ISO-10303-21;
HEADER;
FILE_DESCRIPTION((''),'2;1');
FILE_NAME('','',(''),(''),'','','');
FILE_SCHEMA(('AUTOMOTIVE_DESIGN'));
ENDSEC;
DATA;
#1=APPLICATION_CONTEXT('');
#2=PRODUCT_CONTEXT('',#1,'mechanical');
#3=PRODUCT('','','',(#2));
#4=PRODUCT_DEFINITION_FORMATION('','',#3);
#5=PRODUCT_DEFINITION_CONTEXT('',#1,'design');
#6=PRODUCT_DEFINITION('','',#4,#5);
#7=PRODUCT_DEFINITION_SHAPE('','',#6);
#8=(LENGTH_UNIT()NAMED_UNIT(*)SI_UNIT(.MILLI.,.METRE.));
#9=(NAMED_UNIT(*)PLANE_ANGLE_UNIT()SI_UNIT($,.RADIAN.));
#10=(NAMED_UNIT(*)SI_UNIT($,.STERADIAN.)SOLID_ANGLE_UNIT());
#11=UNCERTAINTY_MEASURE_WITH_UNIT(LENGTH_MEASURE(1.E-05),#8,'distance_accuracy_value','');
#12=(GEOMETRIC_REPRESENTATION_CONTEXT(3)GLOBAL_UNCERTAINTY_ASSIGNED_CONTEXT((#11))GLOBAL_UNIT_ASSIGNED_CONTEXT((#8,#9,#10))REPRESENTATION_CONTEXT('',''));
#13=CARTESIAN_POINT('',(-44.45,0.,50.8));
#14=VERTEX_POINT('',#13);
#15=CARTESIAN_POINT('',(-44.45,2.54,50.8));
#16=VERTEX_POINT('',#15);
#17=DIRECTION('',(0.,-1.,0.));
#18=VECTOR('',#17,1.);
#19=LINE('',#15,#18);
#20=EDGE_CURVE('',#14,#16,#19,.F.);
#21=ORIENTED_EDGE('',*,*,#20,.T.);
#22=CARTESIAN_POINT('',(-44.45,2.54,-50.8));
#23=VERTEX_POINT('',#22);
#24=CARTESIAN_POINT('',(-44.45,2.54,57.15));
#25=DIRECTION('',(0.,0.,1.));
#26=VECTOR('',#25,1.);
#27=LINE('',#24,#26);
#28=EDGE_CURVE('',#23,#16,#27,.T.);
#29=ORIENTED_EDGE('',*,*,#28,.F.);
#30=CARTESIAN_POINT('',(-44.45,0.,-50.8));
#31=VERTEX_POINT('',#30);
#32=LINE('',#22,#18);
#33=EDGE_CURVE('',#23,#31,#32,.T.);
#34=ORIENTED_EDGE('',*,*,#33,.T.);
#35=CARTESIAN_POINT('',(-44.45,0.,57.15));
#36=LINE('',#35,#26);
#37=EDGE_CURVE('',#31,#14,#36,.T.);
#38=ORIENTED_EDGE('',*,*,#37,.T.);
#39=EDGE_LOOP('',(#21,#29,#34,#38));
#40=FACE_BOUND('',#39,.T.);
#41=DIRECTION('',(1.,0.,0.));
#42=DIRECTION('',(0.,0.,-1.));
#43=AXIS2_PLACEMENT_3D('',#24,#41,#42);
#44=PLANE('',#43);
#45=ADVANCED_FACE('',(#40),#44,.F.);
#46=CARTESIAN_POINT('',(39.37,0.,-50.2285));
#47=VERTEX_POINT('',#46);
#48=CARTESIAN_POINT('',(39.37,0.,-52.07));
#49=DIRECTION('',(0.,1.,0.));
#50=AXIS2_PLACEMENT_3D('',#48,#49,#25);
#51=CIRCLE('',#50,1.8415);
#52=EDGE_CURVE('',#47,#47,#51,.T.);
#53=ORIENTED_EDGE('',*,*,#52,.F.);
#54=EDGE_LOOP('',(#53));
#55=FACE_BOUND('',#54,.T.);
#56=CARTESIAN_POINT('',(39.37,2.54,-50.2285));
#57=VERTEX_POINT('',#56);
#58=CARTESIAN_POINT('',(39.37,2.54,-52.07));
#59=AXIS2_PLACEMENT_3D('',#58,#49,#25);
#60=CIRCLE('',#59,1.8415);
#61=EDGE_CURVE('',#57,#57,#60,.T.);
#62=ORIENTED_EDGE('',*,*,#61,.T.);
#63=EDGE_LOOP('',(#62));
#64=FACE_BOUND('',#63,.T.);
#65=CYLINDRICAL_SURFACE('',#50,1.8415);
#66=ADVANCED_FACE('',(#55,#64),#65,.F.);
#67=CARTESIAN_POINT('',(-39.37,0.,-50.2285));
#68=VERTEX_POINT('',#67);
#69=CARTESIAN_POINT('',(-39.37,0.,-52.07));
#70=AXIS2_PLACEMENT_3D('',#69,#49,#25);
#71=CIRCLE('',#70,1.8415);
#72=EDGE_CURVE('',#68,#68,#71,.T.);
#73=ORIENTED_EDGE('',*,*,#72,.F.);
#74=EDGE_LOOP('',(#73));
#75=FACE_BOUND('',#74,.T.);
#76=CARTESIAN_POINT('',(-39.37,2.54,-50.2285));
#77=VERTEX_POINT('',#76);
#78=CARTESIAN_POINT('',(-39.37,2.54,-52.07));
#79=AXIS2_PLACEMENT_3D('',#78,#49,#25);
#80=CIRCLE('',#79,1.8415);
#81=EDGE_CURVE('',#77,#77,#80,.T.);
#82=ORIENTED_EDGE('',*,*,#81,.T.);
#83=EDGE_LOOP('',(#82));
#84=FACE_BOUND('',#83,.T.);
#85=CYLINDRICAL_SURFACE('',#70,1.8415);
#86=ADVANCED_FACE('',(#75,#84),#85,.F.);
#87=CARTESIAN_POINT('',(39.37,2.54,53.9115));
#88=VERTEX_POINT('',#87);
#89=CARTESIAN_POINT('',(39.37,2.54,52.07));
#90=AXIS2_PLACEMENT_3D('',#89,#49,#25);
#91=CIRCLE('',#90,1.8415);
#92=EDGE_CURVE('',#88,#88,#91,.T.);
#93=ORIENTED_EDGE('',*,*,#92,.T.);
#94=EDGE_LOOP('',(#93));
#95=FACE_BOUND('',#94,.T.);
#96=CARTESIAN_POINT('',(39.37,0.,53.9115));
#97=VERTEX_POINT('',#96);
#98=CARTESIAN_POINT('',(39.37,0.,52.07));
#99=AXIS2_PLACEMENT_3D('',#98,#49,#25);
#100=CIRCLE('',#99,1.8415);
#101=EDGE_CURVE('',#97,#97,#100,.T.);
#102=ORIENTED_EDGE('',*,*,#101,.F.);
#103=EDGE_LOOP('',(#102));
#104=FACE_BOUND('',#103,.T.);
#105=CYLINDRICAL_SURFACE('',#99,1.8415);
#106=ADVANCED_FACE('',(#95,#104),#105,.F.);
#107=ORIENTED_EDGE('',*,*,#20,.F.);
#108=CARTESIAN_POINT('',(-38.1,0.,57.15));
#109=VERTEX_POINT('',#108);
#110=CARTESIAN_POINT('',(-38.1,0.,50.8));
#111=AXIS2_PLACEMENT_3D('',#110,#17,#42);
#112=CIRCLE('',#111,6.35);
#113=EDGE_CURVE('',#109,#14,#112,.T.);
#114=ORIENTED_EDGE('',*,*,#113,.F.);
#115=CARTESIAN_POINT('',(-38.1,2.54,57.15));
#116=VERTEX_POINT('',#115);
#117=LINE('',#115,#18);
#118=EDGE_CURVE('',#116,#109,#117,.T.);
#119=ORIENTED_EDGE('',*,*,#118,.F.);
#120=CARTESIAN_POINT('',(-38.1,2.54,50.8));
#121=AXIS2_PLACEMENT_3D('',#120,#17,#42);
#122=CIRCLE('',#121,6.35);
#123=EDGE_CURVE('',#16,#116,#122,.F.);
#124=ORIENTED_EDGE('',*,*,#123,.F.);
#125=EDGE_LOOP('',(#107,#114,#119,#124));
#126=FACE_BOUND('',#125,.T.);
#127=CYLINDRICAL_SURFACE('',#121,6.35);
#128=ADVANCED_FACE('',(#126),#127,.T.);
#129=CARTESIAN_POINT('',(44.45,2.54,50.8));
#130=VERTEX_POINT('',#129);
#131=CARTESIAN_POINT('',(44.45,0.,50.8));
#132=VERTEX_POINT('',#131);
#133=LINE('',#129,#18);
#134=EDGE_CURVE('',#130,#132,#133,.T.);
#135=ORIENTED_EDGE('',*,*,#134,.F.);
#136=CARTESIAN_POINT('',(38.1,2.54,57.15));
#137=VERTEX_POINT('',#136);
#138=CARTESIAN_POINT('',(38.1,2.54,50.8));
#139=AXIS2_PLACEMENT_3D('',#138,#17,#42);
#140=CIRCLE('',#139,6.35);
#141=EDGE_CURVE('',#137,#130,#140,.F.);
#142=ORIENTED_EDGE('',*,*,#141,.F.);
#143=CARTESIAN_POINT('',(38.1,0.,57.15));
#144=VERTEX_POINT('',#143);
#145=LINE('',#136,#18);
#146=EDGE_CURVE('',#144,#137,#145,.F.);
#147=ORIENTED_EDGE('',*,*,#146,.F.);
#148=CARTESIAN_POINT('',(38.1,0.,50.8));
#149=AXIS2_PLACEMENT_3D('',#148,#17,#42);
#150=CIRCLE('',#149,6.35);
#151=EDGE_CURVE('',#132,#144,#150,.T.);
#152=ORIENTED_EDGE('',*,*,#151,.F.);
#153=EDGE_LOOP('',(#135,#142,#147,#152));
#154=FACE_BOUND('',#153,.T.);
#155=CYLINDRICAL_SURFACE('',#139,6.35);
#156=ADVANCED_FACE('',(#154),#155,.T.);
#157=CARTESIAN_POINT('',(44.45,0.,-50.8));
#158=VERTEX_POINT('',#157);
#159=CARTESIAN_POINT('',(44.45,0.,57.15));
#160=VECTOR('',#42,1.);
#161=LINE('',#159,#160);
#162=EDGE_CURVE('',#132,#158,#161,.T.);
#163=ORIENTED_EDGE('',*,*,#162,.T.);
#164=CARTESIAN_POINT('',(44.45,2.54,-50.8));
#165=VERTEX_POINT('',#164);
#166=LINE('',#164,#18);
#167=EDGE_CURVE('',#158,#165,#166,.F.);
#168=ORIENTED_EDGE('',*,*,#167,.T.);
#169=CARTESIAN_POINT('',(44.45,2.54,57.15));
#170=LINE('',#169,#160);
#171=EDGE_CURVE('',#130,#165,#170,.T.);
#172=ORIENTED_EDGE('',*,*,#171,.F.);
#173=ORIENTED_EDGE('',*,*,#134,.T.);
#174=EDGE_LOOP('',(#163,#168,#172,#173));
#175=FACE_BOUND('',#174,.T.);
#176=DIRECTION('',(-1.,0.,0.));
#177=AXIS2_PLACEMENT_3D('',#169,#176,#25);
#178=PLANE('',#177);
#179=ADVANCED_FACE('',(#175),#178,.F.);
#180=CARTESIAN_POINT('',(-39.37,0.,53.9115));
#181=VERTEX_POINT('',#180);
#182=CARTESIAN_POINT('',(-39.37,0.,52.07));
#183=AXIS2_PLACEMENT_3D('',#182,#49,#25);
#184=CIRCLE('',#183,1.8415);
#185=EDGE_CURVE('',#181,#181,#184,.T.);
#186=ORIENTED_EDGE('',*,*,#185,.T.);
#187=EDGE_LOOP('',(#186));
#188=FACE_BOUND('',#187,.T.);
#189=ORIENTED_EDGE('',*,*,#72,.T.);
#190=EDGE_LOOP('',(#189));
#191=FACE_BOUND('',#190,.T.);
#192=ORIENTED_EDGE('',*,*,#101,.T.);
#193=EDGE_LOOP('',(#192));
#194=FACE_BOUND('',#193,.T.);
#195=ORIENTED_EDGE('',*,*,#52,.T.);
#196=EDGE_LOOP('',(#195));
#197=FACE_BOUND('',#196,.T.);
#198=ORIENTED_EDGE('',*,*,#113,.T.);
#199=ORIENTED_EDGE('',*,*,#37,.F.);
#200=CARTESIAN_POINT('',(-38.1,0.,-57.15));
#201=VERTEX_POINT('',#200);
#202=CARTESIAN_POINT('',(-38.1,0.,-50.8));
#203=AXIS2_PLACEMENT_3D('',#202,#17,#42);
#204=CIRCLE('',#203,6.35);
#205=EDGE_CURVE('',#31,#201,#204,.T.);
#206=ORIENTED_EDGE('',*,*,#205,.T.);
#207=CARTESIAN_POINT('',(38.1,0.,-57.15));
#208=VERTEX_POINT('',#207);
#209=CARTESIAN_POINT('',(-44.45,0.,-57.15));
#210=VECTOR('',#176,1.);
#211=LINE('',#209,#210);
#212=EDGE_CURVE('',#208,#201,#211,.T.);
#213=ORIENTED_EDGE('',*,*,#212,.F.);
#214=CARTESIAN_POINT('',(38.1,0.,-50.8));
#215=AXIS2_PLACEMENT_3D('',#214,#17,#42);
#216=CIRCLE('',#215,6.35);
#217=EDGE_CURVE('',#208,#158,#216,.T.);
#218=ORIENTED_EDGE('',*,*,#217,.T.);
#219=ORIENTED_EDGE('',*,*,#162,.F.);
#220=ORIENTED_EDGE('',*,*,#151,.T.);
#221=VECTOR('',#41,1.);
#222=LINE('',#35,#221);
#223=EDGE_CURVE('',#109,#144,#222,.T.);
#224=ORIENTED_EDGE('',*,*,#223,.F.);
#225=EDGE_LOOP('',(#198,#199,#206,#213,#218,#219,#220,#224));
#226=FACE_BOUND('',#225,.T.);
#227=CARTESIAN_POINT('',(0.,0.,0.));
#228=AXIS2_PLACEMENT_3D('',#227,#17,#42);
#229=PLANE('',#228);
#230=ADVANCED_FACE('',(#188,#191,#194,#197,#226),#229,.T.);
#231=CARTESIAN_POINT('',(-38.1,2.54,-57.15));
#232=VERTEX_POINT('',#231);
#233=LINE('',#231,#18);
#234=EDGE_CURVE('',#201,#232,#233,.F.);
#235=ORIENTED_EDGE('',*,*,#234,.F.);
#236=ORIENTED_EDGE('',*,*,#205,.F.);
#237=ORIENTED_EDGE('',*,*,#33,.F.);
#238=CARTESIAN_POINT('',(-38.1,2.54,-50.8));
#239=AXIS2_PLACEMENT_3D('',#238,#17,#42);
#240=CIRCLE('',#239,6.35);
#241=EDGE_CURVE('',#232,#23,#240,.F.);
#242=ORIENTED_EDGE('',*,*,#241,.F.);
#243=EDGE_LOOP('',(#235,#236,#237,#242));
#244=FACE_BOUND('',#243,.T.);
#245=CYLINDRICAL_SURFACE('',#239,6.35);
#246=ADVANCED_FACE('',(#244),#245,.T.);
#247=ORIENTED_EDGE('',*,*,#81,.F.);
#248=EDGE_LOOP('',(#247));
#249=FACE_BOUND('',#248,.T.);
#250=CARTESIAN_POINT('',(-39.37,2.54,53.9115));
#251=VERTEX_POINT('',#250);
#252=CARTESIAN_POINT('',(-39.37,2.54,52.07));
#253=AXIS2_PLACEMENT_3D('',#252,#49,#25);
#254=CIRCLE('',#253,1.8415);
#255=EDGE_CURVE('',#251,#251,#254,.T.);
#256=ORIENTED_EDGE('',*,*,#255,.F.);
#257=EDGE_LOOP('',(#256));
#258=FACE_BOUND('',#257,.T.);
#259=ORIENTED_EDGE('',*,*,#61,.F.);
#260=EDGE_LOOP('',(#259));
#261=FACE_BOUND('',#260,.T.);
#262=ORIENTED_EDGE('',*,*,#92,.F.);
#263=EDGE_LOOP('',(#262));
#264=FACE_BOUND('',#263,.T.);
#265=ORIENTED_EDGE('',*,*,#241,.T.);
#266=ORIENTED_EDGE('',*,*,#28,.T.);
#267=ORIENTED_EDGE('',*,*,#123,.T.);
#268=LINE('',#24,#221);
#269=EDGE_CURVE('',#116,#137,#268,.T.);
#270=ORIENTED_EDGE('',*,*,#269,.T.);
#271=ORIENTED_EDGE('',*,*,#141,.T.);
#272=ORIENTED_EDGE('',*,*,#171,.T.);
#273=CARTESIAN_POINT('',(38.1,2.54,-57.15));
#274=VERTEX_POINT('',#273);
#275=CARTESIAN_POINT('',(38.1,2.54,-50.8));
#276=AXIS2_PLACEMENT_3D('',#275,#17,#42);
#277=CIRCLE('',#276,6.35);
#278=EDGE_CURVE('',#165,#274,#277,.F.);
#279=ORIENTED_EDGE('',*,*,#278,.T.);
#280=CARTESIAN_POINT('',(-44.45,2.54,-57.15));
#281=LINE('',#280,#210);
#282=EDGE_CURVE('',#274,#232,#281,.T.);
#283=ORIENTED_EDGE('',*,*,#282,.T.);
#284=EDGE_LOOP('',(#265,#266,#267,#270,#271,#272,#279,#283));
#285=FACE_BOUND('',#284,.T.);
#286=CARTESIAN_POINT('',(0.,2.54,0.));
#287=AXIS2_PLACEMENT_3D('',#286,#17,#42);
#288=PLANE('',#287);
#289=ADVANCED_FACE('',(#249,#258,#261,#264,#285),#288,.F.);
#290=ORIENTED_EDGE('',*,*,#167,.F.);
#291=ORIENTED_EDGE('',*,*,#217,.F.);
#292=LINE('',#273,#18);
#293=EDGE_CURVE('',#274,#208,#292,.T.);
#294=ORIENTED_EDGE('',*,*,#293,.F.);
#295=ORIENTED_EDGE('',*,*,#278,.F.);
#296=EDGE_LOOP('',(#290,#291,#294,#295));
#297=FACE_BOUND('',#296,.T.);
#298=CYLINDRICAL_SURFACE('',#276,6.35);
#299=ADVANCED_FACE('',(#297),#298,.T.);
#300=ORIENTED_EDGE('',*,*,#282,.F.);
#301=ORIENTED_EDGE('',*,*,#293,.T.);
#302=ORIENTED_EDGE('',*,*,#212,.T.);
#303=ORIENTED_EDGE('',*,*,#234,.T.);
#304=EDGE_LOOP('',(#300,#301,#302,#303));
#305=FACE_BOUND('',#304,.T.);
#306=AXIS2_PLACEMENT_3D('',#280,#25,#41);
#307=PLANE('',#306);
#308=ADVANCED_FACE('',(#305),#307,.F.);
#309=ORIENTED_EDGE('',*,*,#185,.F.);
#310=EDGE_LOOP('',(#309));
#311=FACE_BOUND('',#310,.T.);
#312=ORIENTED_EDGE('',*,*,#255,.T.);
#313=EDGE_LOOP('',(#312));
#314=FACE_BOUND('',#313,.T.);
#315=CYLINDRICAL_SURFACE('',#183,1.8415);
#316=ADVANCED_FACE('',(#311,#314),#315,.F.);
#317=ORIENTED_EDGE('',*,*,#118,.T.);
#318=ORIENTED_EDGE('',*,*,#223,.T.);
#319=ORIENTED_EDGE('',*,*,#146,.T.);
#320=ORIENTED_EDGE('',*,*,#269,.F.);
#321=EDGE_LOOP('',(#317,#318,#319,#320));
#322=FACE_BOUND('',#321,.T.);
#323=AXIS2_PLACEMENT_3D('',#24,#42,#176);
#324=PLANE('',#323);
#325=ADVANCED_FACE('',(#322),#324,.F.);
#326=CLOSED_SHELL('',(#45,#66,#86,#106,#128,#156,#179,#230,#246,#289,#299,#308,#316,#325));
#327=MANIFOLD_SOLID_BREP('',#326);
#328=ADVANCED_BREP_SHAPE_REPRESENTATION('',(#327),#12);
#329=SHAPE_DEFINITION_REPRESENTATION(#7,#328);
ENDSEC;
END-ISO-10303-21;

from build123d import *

# Parameters (mm, degrees)
SKETCH1_W           = 88.9
SKETCH1_H           = 114.3
BOSS_EXTRUDE1_DEPTH = 2.54
SKETCH2_R           = 1.8415
CUT_EXTRUDE1_DEPTH  = 73.445680341
FILLET1_R           = 6.35


with BuildPart() as part:
    # Sketch1 → Boss-Extrude1 (new body)
    with BuildSketch(Plane(origin=(0, 0, 0), x_dir=(1, 0, 0), z_dir=(0, 1, 0))):
        Rectangle(SKETCH1_W, SKETCH1_H)
    extrude(amount=BOSS_EXTRUDE1_DEPTH)

    # Sketch2 → Cut-Extrude1 (cut, through all)
    with BuildSketch(Plane(origin=(0, 2.54, 0), x_dir=(1, 0, 0), z_dir=(0, 1, 0))):
        with Locations(Location((-39.37, 52.07, 0), (0, 0, 270))):
            Circle(SKETCH2_R)
        with Locations(Location((39.37, 52.07, 0), (0, 0, 270))):
            Circle(SKETCH2_R)
        with Locations(Location((-39.37, -52.07, 0), (0, 0, 270))):
            Circle(SKETCH2_R)
        with Locations(Location((39.37, -52.07, 0), (0, 0, 270))):
            Circle(SKETCH2_R)
    extrude(amount=-CUT_EXTRUDE1_DEPTH, mode=Mode.SUBTRACT)

    # Fillet1
    fillet1_edges = [part.edges().sort_by_distance(p)[0] for p in [
        (44.45, 1.27, 57.15),
        (-44.45, 1.27, 57.15),
        (-44.45, 1.27, -57.15),
        (44.45, 1.27, -57.15),
    ]]
    fillet(fillet1_edges, radius=FILLET1_R)


solid = part.part
